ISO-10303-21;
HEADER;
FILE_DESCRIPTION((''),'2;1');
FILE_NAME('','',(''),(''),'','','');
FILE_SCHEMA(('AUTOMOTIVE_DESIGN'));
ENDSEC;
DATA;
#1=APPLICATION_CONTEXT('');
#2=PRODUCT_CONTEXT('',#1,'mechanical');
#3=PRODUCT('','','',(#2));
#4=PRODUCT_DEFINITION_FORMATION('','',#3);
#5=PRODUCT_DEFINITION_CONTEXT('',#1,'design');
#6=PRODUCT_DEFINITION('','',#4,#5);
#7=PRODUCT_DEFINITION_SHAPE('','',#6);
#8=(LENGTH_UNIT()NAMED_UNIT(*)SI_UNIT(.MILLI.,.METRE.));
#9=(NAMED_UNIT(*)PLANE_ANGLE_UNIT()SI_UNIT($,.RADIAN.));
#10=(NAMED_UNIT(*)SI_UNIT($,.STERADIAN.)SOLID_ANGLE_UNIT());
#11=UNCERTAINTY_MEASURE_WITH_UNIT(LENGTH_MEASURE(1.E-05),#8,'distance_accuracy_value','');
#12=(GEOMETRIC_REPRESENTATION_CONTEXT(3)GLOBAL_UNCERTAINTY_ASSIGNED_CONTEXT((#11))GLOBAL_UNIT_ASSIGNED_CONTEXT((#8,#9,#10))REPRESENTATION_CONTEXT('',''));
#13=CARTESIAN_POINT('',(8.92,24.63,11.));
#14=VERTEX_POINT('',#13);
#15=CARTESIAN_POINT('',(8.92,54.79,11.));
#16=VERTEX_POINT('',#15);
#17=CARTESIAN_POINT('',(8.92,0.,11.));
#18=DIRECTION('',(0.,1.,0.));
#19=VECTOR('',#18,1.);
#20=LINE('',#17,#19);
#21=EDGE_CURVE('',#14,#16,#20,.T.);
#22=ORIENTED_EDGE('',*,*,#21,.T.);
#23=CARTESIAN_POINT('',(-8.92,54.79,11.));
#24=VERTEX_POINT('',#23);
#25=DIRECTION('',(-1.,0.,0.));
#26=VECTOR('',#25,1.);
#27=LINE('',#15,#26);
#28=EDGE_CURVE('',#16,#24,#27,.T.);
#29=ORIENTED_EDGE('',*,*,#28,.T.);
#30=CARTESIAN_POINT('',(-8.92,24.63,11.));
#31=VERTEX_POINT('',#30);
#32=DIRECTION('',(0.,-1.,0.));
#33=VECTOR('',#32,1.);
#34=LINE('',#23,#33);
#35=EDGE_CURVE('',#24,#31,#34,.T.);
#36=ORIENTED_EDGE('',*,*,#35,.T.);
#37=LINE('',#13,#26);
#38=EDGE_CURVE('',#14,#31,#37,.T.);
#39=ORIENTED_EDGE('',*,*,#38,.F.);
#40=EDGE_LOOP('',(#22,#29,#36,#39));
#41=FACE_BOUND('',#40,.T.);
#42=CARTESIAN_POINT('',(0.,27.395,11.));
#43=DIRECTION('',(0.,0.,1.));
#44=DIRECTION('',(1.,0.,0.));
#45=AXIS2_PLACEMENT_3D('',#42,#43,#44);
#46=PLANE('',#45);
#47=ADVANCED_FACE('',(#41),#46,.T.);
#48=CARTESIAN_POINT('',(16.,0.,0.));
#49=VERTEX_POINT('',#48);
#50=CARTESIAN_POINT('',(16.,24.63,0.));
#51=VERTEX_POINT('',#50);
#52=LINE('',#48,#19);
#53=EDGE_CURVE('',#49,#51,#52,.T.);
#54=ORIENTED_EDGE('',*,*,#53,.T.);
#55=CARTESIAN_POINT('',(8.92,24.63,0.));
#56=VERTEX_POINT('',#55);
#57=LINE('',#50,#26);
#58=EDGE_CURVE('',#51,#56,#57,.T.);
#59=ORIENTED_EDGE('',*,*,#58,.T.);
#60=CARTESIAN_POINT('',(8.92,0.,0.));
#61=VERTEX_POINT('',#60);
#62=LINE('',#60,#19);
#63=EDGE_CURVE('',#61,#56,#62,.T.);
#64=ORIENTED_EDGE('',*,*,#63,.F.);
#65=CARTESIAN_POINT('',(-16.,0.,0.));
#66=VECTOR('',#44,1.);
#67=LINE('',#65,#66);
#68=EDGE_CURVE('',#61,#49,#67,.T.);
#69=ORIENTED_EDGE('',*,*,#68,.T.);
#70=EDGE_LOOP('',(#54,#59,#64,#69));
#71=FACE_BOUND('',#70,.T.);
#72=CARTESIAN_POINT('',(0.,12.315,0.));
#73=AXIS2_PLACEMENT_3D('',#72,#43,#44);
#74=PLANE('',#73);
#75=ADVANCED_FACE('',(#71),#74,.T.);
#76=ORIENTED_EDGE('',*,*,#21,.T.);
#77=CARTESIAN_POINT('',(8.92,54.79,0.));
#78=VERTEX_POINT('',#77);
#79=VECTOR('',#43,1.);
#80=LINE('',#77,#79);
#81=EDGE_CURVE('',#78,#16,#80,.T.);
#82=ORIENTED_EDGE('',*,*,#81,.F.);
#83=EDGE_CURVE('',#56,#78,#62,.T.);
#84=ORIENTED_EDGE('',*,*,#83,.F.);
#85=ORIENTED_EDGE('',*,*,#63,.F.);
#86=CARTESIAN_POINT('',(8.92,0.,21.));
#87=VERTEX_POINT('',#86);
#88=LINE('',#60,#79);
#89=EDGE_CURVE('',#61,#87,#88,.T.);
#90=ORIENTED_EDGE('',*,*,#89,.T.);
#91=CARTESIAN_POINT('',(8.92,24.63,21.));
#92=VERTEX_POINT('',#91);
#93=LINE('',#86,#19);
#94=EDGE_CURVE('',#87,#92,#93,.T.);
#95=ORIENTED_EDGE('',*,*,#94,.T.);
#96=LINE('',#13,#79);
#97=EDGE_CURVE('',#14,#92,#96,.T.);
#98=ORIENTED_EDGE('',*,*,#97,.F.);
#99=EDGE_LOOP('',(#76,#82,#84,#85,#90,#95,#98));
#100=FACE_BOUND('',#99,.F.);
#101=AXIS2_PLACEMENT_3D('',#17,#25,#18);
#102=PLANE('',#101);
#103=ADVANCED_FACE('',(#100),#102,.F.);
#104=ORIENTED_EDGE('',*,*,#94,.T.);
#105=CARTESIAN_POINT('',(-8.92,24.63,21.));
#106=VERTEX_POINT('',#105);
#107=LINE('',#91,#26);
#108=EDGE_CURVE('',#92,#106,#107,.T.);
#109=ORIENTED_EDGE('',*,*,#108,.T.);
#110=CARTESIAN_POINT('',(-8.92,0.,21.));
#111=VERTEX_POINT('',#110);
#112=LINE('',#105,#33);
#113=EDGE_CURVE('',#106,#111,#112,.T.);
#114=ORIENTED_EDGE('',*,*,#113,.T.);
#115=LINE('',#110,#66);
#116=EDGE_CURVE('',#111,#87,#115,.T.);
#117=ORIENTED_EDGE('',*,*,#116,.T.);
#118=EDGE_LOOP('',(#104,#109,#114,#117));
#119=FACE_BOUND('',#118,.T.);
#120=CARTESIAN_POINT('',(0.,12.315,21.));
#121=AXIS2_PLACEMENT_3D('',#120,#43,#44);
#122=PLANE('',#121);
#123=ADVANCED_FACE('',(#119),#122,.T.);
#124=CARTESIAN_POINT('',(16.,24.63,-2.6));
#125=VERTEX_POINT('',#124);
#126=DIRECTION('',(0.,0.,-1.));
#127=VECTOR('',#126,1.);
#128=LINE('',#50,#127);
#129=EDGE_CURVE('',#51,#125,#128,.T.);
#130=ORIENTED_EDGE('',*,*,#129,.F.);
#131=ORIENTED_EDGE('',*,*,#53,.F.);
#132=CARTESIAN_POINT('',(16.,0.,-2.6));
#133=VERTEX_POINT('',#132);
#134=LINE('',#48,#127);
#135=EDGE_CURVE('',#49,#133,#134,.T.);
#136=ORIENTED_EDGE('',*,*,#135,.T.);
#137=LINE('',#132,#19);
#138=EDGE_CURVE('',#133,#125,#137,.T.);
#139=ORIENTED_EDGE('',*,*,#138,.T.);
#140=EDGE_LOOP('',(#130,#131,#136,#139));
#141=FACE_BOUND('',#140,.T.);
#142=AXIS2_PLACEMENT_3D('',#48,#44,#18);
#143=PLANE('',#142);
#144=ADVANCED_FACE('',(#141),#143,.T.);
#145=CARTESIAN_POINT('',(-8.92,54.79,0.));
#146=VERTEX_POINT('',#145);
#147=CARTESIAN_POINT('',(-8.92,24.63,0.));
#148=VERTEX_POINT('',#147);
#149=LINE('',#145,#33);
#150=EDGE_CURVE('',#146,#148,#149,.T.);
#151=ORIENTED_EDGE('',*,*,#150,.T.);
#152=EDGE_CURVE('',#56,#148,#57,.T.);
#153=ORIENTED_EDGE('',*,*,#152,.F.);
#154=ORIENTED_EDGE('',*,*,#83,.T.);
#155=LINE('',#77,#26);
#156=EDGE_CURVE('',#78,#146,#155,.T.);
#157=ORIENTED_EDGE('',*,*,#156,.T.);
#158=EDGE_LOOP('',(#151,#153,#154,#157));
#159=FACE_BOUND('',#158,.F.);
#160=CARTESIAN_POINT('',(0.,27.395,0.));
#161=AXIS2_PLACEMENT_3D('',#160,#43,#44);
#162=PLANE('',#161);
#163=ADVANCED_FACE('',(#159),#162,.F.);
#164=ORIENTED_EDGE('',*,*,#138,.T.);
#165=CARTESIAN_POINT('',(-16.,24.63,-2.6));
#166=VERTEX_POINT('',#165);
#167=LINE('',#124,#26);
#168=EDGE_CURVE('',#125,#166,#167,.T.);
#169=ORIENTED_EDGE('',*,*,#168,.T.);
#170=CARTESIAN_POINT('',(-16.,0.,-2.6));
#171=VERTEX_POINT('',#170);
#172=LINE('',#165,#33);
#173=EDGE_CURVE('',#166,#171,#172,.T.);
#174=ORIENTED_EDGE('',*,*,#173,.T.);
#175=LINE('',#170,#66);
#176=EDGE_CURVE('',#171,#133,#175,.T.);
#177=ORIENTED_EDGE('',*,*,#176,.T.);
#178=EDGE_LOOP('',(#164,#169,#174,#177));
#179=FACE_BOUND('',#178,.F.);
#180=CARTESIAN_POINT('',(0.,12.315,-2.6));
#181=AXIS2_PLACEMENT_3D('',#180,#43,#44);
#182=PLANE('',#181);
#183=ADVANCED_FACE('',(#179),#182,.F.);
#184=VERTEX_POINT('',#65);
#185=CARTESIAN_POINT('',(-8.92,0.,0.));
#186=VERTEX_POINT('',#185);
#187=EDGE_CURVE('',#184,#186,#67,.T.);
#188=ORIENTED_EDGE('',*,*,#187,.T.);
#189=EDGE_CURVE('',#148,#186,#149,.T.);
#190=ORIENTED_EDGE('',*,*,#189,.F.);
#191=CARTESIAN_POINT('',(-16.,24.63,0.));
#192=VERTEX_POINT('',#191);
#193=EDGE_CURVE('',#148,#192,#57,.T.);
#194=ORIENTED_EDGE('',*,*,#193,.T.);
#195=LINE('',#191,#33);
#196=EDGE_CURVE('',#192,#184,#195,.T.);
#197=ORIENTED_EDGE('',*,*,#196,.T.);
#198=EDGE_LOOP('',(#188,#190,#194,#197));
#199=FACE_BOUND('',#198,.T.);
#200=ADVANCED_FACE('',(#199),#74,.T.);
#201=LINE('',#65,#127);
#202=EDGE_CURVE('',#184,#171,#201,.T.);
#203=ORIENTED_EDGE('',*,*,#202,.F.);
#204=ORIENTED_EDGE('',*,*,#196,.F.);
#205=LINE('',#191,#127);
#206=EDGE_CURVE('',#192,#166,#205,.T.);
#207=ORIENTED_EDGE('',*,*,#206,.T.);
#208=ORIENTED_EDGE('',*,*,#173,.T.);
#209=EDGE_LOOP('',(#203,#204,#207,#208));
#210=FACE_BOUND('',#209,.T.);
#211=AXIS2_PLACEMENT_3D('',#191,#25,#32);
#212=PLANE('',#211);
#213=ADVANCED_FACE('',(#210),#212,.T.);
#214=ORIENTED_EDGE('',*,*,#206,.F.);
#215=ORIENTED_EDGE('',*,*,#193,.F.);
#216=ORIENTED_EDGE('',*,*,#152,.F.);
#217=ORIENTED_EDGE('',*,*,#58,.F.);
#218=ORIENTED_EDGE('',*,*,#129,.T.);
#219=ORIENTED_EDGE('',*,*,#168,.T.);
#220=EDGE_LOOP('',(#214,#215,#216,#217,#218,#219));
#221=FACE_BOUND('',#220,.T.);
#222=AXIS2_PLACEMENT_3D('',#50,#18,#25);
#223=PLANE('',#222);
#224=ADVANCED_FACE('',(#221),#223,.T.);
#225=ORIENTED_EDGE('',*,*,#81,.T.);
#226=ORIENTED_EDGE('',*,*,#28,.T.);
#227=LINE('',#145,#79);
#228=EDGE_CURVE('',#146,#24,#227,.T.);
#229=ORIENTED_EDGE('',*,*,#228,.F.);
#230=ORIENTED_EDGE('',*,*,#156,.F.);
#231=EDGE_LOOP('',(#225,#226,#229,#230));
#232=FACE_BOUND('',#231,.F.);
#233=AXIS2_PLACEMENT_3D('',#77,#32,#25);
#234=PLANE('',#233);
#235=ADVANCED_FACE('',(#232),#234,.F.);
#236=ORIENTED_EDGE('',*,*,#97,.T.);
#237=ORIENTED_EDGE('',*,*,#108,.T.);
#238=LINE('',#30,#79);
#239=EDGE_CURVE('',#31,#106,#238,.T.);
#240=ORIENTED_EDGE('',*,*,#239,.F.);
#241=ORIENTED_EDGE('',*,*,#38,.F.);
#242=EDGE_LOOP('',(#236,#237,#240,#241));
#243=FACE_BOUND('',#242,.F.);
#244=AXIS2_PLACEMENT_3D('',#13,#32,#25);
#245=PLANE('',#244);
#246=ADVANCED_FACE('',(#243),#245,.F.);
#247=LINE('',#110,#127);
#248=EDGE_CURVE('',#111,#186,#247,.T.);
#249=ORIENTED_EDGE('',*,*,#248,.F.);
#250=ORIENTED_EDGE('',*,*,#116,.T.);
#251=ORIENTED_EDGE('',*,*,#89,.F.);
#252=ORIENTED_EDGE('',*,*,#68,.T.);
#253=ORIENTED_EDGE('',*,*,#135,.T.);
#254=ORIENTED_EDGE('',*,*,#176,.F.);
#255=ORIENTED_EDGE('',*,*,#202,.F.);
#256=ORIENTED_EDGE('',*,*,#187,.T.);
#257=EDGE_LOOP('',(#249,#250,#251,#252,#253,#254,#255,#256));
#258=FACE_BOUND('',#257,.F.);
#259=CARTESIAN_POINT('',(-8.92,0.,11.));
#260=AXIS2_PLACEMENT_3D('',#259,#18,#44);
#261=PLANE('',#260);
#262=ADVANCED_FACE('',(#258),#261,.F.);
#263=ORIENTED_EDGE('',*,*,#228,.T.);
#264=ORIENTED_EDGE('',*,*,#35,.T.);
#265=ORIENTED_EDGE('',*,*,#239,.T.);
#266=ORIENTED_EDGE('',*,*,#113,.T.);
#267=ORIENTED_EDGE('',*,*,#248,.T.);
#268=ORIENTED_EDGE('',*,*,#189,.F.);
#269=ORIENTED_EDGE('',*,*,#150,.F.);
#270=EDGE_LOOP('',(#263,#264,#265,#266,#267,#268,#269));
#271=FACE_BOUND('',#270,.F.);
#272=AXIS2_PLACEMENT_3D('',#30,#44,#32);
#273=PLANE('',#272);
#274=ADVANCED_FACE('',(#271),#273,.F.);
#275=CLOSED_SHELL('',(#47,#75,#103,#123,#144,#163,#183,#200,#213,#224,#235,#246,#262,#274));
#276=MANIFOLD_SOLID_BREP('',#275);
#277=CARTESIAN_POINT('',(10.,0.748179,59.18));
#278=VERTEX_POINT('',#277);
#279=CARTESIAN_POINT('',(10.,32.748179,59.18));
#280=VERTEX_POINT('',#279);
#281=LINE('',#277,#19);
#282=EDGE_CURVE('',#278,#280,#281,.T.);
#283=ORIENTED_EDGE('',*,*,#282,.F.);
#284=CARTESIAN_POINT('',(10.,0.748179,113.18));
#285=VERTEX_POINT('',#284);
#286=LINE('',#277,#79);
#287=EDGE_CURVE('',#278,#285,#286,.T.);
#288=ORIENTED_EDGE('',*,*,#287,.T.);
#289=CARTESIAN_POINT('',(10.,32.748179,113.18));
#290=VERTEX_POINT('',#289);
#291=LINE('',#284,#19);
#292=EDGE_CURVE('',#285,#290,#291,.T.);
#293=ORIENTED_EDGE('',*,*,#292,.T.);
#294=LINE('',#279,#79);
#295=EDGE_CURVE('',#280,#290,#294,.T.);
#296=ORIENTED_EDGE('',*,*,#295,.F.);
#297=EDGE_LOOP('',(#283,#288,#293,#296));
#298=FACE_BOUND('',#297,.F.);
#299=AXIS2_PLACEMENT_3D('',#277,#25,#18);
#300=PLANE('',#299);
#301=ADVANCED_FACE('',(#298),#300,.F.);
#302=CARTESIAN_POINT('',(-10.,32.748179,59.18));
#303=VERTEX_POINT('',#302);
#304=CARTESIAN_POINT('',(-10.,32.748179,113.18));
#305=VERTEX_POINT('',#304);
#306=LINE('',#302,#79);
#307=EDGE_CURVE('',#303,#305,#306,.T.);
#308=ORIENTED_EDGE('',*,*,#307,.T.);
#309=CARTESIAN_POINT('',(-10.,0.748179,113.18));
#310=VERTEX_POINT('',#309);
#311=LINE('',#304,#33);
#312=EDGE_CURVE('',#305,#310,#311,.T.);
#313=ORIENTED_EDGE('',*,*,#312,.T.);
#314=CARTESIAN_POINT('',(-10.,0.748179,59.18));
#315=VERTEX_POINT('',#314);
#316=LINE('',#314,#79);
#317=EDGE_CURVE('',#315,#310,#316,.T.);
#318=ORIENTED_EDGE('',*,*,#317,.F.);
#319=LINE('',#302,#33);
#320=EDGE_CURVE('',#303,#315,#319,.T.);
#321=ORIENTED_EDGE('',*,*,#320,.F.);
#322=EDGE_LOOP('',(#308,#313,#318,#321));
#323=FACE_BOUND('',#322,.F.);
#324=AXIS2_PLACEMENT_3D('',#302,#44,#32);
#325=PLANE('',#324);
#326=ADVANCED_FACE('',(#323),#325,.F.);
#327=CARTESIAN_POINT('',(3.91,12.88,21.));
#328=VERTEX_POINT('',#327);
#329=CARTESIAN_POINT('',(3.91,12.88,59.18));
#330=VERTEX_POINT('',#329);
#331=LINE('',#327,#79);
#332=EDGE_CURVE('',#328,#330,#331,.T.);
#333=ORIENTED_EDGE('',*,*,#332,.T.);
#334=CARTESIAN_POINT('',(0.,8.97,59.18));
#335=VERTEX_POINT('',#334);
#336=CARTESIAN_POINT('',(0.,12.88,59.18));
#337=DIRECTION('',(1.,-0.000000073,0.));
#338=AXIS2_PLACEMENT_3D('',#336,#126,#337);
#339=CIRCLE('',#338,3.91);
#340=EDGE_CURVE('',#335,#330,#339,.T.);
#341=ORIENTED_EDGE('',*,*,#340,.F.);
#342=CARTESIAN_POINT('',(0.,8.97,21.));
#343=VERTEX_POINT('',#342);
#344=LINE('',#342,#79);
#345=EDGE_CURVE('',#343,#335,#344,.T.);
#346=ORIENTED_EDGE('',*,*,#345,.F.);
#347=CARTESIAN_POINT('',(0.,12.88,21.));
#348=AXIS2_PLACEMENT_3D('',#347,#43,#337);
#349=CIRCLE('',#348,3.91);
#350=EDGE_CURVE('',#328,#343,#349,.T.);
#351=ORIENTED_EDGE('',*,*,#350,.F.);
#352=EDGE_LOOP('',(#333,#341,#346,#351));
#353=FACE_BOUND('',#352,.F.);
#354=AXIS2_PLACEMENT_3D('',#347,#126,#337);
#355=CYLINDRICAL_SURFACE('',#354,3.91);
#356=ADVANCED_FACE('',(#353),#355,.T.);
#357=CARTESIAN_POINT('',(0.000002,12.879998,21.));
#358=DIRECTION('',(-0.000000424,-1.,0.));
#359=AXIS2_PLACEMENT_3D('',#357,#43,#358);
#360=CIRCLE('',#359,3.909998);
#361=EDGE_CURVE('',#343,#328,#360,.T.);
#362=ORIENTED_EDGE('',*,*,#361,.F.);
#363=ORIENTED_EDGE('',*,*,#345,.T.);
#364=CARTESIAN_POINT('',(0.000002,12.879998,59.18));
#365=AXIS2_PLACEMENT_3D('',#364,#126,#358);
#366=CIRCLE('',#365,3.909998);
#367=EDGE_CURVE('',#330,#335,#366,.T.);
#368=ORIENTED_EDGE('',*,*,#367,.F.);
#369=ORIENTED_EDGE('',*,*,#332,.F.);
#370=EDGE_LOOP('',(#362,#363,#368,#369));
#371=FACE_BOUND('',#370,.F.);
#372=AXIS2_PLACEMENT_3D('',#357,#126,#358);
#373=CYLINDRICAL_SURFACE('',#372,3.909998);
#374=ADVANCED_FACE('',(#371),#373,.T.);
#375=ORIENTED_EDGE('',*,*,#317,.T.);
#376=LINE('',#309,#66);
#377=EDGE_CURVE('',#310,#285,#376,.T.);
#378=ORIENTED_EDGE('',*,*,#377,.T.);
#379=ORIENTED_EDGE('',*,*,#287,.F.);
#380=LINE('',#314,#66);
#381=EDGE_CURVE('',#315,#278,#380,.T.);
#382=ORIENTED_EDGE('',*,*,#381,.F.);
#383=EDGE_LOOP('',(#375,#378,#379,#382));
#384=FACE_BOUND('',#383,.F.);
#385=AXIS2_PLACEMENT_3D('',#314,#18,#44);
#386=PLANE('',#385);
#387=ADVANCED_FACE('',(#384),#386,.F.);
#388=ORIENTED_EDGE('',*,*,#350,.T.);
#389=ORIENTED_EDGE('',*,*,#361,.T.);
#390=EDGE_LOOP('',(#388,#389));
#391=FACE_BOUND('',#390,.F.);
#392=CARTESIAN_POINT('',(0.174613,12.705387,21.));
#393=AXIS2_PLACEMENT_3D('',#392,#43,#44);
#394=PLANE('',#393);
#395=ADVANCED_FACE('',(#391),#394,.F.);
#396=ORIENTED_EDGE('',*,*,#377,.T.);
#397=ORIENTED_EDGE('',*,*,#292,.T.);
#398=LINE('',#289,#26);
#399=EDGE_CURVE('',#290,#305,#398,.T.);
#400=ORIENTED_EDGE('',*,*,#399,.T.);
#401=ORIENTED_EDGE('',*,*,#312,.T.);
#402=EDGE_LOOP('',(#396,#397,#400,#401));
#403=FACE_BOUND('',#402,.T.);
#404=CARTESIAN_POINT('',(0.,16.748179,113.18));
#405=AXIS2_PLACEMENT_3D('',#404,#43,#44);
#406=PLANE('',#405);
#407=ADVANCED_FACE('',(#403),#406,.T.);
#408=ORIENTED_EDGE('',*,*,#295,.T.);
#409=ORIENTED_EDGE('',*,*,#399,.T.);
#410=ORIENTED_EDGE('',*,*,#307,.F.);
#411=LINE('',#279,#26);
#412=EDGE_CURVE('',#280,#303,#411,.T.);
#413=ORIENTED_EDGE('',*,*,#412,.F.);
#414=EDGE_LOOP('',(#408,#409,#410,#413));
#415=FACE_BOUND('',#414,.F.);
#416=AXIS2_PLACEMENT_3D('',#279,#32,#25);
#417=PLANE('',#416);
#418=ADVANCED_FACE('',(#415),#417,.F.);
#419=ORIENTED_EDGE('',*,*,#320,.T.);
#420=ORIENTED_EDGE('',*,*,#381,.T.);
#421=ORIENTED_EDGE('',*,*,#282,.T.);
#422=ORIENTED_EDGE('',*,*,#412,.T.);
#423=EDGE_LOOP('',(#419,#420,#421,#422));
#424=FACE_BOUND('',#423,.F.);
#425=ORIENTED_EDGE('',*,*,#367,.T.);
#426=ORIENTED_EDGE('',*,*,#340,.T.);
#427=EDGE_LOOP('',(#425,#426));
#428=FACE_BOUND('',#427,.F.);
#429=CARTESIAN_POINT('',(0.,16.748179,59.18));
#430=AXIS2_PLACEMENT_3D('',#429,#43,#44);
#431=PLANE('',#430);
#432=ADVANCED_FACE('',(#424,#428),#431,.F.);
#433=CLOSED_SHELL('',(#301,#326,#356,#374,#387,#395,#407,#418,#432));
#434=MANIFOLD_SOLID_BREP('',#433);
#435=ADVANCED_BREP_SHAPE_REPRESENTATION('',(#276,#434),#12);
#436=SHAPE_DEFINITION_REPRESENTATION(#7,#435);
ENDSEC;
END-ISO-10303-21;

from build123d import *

# Parameters (mm, degrees)
F1_DEPTH  = 2.6
F3_DEPTH  = 11
F6_DEPTH  = 10
F9_DEPTH  = 59.18
F12_DEPTH = 54


with BuildPart() as f1:
    # F0 (on Top) → F1 (new body)
    with BuildSketch(Plane.XY):
        Polygon((-16, 0), (0, 0), (16, 0), (16, 24.63), (0, 24.63), (-16, 24.63), align=None)
    extrude(amount=-F1_DEPTH)

    # F2 (on Top) → F3 (join)
    with BuildSketch(Plane.XY):
        Polygon((-8.92, 0), (0, 0), (8.92, 0), (8.92, 54.79), (-8.92, 54.79), align=None)
    extrude(amount=F3_DEPTH)

    # F5 (on offset) → F6 (join)
    with BuildSketch(Plane.XY.offset(11)):
        Polygon((-8.92, 0), (0, 0), (8.92, 0), (8.92, 24.63), (-8.92, 24.63), align=None)
    extrude(amount=F6_DEPTH)


with BuildPart() as f9:
    # F8 (on offset) → F9 (new body)
    with BuildSketch(Plane.XY.offset(21)):
        with BuildLine():
            ThreePointArc((0, 8.97), (2.764788, 10.115212), (3.91, 12.88))
            ThreePointArc((3.91, 12.88), (-2.764788, 15.644788), (0, 8.97))
        make_face()
    extrude(amount=F9_DEPTH)

    # F11 (on offset) → F12 (join)
    with BuildSketch(Plane.XY.offset(59.18)):
        Polygon((-10, 0.748179), (0, 0.748179), (10, 0.748179), (10, 32.748179), (0, 32.748179), (-10, 32.748179), align=None)
    extrude(amount=F12_DEPTH)


solid = Compound([f1.part, f9.part])
